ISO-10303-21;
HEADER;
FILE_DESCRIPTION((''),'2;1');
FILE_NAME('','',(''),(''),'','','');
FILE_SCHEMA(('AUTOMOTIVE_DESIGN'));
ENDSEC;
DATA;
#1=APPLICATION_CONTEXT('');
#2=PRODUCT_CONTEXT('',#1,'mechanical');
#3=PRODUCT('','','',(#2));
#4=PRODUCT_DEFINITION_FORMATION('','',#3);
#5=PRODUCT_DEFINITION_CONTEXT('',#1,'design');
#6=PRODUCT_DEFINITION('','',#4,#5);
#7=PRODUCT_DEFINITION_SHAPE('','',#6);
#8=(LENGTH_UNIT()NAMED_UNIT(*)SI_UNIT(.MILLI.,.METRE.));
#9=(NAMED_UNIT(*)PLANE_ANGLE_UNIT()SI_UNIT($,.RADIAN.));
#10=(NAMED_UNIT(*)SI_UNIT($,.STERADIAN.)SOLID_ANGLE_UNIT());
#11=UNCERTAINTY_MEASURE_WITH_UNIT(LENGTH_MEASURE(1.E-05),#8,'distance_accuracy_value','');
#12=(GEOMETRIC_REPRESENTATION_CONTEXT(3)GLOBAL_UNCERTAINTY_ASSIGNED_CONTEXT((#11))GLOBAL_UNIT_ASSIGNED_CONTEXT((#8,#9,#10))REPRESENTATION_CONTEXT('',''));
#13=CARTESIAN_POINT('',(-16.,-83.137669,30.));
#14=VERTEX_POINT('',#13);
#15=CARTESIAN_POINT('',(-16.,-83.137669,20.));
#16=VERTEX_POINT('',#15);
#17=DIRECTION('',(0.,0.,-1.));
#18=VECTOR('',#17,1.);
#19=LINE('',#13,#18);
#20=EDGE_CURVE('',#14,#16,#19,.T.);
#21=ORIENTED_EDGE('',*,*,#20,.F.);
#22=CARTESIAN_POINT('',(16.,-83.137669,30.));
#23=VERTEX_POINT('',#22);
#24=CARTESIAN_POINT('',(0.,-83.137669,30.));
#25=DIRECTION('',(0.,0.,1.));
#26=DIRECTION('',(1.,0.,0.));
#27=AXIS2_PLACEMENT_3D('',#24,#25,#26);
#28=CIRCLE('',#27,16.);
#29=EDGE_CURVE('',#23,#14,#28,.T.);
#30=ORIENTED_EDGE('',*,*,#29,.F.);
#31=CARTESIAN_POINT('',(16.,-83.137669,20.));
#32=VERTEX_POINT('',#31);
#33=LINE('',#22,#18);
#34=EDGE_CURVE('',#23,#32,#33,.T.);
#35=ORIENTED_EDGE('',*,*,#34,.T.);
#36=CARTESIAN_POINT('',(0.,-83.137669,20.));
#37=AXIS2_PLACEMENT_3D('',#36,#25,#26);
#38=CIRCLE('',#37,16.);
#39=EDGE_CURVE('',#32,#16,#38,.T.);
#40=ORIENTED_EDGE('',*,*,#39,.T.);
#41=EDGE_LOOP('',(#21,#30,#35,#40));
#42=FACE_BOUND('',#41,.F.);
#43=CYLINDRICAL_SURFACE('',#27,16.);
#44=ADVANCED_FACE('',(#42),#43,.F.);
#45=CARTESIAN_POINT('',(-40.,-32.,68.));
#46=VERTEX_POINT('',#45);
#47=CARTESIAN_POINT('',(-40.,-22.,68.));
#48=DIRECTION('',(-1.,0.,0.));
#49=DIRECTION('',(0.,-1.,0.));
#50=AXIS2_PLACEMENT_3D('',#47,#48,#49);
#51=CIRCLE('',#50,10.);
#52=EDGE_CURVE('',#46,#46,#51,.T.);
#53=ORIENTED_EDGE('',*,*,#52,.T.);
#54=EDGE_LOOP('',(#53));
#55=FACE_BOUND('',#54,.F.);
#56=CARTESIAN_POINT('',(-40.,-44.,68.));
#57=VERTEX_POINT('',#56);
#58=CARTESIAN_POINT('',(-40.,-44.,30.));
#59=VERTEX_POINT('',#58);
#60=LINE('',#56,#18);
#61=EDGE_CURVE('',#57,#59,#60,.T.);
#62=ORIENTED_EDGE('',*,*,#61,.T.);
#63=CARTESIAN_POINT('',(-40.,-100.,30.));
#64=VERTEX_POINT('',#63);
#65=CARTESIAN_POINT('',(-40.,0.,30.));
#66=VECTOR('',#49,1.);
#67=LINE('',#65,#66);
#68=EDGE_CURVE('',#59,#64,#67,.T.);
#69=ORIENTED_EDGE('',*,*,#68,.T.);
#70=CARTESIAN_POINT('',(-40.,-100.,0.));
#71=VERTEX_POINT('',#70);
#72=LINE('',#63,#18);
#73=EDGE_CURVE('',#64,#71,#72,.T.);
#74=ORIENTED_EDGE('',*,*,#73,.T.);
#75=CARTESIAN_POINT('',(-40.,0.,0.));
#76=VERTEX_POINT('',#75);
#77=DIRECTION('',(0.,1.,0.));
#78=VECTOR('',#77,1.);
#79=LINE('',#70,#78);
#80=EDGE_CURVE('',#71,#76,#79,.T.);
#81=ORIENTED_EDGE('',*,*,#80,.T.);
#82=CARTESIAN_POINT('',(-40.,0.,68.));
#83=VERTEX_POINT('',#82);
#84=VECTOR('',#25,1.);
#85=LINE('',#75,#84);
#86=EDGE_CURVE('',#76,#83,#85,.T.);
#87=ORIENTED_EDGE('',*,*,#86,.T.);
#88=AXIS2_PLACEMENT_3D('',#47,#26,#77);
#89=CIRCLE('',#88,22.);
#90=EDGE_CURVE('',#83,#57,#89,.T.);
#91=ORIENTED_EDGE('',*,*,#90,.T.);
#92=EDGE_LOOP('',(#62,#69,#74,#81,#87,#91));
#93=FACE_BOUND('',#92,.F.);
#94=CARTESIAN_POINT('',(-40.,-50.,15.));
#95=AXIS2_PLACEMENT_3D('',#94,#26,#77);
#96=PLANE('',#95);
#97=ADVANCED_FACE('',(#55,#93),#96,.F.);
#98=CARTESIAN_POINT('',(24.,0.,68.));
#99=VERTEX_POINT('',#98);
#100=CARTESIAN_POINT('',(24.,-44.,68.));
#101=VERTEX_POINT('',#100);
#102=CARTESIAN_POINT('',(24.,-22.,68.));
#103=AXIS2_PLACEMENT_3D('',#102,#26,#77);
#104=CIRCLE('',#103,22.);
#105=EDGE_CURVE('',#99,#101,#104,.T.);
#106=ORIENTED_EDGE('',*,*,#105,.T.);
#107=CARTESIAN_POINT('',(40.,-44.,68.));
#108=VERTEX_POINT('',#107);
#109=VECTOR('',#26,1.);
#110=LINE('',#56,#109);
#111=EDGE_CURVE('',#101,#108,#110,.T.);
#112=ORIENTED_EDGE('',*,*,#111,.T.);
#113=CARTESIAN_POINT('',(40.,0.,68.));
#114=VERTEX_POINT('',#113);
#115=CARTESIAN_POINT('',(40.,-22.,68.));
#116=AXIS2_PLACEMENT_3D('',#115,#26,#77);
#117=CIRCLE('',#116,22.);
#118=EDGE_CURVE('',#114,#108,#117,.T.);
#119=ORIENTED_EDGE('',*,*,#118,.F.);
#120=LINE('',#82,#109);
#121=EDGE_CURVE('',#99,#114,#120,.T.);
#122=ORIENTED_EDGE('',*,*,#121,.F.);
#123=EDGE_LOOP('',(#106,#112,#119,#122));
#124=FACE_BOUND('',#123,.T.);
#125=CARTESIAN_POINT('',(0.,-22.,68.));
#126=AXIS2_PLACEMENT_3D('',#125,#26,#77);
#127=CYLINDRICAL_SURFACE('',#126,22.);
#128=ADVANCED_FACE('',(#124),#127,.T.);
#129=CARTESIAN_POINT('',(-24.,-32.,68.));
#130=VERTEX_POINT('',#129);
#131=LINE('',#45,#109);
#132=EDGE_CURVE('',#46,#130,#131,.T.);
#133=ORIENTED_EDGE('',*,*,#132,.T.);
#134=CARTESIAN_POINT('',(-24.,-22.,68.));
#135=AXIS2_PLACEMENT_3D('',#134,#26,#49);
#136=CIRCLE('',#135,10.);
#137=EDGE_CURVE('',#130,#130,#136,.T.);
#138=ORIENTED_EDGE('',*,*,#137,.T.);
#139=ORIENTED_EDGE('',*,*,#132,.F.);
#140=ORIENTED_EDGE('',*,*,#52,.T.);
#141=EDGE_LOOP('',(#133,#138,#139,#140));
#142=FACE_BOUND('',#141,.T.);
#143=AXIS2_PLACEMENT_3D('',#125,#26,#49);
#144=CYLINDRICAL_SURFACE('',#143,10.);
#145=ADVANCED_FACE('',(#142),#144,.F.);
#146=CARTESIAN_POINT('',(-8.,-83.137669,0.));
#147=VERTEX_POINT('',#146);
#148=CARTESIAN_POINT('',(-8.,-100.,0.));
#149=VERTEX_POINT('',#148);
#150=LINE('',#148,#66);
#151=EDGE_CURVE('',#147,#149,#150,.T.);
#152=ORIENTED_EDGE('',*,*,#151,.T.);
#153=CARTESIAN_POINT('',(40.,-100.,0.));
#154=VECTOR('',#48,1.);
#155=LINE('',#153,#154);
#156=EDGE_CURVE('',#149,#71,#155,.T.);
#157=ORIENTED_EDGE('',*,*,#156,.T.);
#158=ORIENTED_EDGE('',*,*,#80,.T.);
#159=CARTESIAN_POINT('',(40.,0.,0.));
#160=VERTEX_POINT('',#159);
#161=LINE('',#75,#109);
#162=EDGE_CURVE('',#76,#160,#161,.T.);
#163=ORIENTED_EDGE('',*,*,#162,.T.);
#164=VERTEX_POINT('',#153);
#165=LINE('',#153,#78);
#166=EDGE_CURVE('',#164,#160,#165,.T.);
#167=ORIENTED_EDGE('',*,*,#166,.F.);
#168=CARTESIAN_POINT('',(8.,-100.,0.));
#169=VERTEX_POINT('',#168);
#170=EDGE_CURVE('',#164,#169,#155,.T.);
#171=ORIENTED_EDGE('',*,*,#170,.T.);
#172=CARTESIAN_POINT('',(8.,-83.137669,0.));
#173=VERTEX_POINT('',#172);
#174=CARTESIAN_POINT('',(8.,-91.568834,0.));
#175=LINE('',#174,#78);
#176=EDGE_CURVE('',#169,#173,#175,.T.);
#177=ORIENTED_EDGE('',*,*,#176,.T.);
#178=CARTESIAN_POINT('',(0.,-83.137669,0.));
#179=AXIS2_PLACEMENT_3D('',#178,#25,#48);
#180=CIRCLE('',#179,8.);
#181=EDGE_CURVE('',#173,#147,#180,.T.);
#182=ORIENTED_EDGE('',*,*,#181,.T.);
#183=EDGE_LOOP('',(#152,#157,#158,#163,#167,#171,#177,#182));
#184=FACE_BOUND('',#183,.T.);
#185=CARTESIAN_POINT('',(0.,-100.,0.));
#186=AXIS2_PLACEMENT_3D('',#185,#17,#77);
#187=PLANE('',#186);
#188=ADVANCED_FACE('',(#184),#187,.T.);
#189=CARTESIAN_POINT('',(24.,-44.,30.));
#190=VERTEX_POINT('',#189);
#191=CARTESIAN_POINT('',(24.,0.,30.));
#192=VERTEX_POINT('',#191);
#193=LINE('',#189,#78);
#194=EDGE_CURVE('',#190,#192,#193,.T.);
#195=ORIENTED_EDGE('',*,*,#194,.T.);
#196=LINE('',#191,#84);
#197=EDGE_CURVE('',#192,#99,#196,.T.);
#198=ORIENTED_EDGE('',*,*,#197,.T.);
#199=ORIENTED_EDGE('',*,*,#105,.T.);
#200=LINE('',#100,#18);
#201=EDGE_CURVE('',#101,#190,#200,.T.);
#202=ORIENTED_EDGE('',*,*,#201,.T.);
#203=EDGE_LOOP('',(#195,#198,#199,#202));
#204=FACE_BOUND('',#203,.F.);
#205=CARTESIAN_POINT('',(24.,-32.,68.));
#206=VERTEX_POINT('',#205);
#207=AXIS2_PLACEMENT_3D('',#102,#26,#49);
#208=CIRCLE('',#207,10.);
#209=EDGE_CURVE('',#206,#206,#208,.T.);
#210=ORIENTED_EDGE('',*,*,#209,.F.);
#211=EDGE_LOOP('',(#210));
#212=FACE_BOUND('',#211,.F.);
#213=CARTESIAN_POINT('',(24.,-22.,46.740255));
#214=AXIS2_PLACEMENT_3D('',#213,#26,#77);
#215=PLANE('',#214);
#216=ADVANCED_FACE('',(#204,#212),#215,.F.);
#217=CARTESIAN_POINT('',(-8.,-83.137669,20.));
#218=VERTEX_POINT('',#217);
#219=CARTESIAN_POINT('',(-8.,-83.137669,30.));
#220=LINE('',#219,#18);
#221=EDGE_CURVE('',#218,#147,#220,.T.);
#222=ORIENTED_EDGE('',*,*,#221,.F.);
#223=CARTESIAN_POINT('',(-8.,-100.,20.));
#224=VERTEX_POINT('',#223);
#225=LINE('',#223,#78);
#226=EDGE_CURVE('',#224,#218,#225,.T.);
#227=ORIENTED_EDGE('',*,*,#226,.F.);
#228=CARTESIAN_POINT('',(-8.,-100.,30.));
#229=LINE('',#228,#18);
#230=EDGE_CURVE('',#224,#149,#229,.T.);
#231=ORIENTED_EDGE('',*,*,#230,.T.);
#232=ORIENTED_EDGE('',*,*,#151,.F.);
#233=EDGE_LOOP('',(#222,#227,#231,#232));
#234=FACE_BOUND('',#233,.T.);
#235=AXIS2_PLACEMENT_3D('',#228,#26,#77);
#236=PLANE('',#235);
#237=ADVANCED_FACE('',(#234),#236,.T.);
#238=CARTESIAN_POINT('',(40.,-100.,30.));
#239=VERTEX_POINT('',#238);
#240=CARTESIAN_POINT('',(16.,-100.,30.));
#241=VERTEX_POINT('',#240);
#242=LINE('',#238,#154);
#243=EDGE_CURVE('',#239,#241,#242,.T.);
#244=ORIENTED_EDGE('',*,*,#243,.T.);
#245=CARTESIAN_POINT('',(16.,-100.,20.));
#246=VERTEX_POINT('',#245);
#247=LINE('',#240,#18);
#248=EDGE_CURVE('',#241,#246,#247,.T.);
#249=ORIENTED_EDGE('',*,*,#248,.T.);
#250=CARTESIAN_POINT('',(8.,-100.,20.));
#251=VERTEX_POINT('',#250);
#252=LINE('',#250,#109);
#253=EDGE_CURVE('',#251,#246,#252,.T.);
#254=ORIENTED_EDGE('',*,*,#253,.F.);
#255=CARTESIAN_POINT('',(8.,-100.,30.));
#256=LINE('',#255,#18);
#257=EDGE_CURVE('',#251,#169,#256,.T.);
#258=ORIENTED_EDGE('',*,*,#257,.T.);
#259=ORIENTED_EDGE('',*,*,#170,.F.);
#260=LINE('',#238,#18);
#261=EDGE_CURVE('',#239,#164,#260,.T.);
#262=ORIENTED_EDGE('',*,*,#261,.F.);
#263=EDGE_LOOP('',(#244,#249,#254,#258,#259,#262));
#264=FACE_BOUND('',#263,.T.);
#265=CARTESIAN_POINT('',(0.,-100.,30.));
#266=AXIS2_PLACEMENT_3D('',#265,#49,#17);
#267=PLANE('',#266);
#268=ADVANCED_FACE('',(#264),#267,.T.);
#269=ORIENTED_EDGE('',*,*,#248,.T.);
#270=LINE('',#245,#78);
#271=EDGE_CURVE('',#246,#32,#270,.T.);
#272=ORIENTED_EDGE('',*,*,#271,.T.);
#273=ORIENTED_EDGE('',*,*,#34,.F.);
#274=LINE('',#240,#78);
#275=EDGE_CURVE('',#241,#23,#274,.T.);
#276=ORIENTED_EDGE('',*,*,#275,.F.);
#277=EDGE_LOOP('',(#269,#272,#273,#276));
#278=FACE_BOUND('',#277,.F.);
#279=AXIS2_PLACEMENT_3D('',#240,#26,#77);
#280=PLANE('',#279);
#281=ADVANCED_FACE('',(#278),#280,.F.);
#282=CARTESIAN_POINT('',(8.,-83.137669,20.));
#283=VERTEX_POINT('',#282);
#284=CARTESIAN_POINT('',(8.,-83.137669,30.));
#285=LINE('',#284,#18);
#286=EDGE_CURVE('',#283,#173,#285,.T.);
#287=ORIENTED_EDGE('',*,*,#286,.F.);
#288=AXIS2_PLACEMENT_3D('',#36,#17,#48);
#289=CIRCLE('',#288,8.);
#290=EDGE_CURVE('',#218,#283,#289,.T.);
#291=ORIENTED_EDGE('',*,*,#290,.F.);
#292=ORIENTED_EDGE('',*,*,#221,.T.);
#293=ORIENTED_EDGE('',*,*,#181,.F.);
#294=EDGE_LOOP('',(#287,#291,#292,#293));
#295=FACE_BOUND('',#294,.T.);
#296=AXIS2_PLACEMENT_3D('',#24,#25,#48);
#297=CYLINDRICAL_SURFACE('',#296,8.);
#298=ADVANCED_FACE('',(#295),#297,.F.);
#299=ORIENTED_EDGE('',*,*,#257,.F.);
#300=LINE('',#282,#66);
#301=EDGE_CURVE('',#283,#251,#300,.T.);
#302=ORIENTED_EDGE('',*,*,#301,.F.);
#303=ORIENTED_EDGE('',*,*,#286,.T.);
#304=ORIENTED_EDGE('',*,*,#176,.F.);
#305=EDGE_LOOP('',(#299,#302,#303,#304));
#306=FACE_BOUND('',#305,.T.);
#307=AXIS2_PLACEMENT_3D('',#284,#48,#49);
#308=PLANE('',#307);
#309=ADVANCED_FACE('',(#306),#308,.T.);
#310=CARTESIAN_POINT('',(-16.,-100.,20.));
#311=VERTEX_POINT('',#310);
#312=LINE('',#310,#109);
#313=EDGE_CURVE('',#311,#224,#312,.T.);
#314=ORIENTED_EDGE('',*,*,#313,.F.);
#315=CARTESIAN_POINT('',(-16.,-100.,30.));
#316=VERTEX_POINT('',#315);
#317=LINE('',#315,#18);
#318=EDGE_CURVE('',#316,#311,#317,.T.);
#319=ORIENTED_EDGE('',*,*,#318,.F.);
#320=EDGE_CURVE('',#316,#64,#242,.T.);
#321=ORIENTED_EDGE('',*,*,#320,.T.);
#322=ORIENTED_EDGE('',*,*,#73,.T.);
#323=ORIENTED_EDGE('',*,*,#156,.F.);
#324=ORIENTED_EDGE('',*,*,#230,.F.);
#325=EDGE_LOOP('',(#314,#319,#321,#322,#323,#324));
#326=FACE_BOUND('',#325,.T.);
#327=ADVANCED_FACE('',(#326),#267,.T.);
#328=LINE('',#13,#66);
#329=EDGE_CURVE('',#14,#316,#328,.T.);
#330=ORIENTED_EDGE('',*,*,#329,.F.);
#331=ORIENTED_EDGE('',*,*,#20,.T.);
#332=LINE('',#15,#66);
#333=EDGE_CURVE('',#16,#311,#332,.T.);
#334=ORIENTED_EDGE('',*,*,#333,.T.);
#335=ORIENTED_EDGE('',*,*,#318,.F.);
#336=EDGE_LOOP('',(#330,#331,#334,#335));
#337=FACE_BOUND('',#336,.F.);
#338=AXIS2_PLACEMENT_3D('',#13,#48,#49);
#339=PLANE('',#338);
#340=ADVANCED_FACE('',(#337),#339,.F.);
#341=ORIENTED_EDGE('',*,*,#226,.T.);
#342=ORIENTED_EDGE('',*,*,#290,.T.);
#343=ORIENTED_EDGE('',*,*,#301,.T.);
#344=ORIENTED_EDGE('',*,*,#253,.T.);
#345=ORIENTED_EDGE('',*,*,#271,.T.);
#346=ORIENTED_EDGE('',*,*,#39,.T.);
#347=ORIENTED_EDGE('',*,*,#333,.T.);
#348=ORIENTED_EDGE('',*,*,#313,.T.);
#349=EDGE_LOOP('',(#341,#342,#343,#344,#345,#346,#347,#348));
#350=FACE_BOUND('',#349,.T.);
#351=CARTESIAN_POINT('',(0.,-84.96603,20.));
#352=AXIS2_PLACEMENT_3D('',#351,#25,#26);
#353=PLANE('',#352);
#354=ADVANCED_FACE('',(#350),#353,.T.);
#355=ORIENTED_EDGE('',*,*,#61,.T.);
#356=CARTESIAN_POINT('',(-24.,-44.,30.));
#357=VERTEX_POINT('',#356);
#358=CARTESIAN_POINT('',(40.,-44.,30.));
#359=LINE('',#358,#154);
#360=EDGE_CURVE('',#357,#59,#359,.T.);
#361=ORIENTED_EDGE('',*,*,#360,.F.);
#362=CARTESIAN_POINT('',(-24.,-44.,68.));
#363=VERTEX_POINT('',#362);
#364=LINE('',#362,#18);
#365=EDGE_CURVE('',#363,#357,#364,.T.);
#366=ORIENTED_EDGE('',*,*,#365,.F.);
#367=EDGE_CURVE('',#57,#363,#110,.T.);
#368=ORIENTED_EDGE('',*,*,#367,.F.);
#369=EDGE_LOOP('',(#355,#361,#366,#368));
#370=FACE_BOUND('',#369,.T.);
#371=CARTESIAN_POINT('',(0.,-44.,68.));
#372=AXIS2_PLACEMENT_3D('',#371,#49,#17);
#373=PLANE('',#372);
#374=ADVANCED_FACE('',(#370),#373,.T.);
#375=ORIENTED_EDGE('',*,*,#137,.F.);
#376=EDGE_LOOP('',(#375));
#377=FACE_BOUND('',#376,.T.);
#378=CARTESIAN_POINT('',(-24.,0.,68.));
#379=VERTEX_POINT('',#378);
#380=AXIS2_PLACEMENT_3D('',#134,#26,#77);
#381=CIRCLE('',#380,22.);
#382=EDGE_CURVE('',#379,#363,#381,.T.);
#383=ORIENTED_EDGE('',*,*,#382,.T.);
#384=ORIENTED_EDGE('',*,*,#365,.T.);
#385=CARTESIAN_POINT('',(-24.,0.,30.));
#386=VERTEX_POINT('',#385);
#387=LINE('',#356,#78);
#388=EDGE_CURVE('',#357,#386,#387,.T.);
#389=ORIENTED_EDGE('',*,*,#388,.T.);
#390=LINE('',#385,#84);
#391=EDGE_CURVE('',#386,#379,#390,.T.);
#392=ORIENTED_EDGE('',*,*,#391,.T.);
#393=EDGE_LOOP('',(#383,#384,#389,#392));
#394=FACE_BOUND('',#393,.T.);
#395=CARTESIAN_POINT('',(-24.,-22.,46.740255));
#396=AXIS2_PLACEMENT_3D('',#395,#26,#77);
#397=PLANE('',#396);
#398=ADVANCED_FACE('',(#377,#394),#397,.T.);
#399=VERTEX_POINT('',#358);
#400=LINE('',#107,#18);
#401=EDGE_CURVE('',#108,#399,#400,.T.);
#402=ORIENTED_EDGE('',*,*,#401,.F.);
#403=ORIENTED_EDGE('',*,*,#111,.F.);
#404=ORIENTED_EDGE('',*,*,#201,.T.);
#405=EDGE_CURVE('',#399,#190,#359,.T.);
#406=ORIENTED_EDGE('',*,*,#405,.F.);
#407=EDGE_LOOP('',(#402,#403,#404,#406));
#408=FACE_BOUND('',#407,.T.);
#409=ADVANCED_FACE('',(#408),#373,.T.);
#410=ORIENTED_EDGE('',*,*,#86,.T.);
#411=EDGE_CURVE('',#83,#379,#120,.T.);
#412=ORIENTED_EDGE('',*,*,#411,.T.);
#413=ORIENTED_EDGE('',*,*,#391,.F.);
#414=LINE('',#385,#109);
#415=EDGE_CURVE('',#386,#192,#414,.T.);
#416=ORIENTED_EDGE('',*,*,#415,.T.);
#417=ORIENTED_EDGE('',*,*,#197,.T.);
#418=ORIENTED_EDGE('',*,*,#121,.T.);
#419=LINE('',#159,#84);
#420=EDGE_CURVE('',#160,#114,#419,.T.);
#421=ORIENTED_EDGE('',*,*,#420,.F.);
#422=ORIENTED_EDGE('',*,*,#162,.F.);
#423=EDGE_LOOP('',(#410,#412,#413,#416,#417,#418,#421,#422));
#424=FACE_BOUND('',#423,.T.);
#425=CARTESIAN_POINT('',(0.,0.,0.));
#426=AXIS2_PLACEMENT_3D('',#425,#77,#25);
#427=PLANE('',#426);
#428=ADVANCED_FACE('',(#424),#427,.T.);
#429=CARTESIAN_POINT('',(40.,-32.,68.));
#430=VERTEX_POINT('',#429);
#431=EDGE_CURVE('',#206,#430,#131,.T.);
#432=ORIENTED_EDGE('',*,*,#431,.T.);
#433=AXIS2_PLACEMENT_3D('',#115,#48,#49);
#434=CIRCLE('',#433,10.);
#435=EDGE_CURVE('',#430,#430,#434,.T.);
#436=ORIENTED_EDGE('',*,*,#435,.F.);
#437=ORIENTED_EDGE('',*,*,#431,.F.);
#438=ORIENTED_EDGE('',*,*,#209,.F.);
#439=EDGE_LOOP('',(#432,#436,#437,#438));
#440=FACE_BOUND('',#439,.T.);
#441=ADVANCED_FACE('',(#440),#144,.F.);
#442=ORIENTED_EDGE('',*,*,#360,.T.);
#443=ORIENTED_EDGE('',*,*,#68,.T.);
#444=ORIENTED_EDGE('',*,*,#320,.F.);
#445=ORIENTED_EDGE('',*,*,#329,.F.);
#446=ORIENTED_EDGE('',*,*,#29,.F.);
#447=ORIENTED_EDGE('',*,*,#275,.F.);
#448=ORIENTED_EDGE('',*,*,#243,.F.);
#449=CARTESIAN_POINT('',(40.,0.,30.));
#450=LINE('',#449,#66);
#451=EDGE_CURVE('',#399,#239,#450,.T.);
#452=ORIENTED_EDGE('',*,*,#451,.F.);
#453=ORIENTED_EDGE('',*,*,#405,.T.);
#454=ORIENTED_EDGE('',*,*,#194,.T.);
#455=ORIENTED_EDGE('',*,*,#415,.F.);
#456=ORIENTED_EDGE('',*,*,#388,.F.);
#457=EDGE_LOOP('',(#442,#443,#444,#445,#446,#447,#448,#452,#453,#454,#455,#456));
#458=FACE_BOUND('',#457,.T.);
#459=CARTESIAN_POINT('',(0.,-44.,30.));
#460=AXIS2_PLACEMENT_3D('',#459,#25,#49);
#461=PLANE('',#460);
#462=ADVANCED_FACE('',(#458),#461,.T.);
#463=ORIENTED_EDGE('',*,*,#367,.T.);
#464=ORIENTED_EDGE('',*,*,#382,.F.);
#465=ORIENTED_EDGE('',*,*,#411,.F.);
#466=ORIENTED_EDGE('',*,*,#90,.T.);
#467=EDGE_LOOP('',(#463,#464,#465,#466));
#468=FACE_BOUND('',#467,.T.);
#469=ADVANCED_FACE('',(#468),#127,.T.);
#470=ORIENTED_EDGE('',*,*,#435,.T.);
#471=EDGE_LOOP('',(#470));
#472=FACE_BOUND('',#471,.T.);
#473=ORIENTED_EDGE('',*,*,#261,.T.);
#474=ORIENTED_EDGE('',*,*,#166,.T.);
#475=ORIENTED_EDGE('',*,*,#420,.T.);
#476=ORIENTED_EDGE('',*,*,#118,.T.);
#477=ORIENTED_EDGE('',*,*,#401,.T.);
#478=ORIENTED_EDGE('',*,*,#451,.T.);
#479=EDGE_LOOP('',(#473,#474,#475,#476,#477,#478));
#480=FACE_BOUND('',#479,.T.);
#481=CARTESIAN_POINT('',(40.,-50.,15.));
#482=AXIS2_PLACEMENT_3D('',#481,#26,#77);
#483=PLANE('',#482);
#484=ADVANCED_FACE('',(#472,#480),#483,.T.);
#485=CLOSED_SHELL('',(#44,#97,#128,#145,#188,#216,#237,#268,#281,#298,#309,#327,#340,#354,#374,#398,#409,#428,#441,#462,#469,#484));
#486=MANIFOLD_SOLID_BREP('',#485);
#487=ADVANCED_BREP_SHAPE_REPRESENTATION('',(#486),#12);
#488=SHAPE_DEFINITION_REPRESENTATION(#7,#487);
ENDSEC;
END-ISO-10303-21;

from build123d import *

# Parameters (mm, degrees)
F1_DEPTH = 40
F2_DEPTH = 24
F4_DEPTH = 10
F5_DEPTH = 30.001


with BuildPart() as f1:
    # F0 (on Right) → F1 (new body, symmetric)
    with BuildSketch(Plane.YZ):
        Polygon((-100, 0), (0, 0), (0, 30), (-44, 30), (-100, 30), align=None)
        with BuildLine():
            Line((-44, 30), (0, 30))
            Line((0, 30), (0, 68))
            ThreePointArc((0, 68), (-22, 46), (-44, 68))
            Line((-44, 68), (-44, 30))
        make_face()
        with BuildLine():
            ThreePointArc((-44, 68), (-22, 46), (0, 68))
            Line((0, 68), (-12, 68))
            ThreePointArc((-12, 68), (-22, 58), (-32, 68))
            Line((-32, 68), (-44, 68))
        make_face()
        with BuildLine():
            Line((-12, 68), (0, 68))
            ThreePointArc((0, 68), (-22, 90), (-44, 68))
            Line((-44, 68), (-32, 68))
            ThreePointArc((-32, 68), (-22, 78), (-12, 68))
        make_face()
    extrude(amount=F1_DEPTH, both=True)

    # F0 (on Right) → F2 (cut, symmetric)
    with BuildSketch(Plane.YZ):
        with BuildLine():
            Line((-44, 30), (0, 30))
            Line((0, 30), (0, 68))
            ThreePointArc((0, 68), (-22, 46), (-44, 68))
            Line((-44, 68), (-44, 30))
        make_face()
        with BuildLine():
            ThreePointArc((-44, 68), (-22, 46), (0, 68))
            Line((0, 68), (-12, 68))
            ThreePointArc((-12, 68), (-22, 58), (-32, 68))
            Line((-32, 68), (-44, 68))
        make_face()
        with BuildLine():
            Line((-12, 68), (0, 68))
            ThreePointArc((0, 68), (-22, 90), (-44, 68))
            Line((-44, 68), (-32, 68))
            ThreePointArc((-32, 68), (-22, 78), (-12, 68))
        make_face()
        with BuildLine():
            Line((-32, 68), (-12, 68))
            ThreePointArc((-12, 68), (-22, 78), (-32, 68))
        make_face()
    extrude(amount=F2_DEPTH, both=True, mode=Mode.SUBTRACT)

    # F3 (on face) → F4 (cut)
    with BuildSketch(Plane.XY.offset(30)):
        with BuildLine():
            Line((16, -100), (16, -83.1376686692))
            ThreePointArc((16, -83.1376686692), (0, -67.1376686692), (-16, -83.1376686692))
            Line((-16, -83.1376686692), (-16, -100))
            Line((-16, -100), (-8, -100))
            Line((-8, -100), (-8, -83.1376686692))
            ThreePointArc((-8, -83.1376686692), (0, -75.1376686692), (8, -83.1376686692))
            Line((8, -83.1376686692), (8, -100))
            Line((8, -100), (16, -100))
        make_face()
    extrude(amount=-F4_DEPTH, mode=Mode.SUBTRACT)

    # F5 (cut, through all): a face of the model
    f5_faces = [f1.faces().sort_by_distance(p)[0] for p in [
        (0, -88.3583676716, 30),
    ]]
    extrude(f5_faces, amount=-F5_DEPTH, mode=Mode.SUBTRACT)


solid = f1.part
